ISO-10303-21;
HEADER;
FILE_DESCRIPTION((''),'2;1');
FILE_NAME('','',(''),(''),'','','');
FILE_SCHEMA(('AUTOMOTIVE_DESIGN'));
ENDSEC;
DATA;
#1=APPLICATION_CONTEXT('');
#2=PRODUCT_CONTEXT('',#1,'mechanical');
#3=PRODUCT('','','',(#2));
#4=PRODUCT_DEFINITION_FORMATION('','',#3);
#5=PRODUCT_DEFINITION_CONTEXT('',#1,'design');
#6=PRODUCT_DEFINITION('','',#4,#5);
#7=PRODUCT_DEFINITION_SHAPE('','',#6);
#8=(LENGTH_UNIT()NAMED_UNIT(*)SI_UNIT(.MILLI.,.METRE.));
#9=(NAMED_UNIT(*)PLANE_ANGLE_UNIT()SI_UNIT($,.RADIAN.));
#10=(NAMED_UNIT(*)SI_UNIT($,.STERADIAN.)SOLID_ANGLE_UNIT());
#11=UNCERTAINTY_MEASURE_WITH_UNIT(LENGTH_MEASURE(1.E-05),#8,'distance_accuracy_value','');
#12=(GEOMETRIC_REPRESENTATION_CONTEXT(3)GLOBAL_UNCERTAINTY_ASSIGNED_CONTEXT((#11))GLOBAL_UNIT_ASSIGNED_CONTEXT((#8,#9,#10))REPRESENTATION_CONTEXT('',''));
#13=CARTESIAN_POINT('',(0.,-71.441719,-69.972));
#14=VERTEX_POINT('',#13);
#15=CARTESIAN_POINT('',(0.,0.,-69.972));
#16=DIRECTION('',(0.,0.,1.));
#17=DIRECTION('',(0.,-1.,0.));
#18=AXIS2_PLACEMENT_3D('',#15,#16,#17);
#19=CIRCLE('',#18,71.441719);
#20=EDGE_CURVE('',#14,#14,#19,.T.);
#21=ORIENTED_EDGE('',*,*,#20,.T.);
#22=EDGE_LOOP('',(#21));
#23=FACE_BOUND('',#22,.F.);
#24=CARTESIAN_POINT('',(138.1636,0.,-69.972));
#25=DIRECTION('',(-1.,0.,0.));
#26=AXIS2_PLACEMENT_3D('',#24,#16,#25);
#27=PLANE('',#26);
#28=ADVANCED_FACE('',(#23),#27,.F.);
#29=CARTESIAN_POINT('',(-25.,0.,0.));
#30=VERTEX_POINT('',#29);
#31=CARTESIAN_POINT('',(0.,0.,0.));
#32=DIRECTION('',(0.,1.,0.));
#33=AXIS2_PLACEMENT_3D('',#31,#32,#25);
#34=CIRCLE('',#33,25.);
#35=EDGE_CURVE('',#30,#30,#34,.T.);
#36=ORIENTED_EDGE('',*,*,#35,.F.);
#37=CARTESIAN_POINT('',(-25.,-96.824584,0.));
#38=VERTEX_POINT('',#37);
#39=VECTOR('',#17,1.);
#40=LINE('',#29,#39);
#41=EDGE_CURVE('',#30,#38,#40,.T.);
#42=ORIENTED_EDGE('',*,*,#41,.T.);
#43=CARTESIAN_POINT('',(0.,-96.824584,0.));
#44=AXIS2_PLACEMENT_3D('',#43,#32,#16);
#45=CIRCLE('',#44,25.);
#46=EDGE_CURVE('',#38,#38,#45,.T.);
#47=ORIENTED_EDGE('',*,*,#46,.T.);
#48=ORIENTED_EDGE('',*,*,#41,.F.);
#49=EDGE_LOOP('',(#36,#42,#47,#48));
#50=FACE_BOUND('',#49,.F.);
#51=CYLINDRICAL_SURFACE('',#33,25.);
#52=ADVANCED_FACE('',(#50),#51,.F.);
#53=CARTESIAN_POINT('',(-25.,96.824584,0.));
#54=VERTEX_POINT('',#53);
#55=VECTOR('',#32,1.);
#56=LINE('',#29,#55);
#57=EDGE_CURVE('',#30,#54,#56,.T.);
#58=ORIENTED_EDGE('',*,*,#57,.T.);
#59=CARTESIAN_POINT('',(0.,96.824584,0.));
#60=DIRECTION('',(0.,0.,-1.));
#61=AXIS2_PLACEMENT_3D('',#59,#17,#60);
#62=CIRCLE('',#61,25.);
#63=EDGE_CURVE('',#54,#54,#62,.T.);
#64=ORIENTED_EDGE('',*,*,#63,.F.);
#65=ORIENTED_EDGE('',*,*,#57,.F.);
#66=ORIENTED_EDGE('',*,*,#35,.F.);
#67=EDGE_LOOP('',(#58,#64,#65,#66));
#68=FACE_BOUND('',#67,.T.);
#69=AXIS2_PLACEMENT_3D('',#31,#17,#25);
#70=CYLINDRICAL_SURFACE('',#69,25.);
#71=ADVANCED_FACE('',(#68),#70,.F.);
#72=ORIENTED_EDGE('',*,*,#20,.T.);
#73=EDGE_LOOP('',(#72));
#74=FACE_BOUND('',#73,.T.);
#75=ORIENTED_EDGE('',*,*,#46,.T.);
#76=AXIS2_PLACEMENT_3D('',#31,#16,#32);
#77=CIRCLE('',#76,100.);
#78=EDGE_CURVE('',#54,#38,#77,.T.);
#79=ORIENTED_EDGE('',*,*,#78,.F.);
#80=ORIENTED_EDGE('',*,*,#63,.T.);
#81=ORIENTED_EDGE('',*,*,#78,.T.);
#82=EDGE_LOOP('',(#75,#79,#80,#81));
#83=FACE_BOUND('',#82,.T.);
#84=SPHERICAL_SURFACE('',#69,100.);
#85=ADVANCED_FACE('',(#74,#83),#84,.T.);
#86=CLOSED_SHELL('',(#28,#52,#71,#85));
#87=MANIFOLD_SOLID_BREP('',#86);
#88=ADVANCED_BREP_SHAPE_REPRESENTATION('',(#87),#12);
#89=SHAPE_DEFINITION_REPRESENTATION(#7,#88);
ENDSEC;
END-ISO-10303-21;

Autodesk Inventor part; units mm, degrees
ref_plane "YZ Plane" through (0, 0, 0) normal (1, 0, 0) x (0, 1, 0)
ref_plane "XY Plane" through (0, 0, 0) normal (0, 0, 1) x (1, 0, 0)
sketch "スケッチ1" plane through (0, 0, 0) normal (0, 0, 1) x (1, 0, 0)
  arc A0 (0, 100) -> (0, -100) centre (0, 0) ccw
  line L0 (0, 100) -> (0, -100)
  dimension "d0" = 200
revolve "回転1" add sketch "スケッチ1" angle 360 about axis through (0, 100, 0) along (0, -1, 0)
sketch "スケッチ2" plane through (0, 0, 0) normal (0, 1, 0) x (-1, 0, 0)
  line L0 (140.6562, -148.6683) -> (-138.1636, -148.6683)
  line L1 (-138.1636, -148.6683) -> (-138.1636, -69.972)
  line L2 (-138.1636, -69.972) -> (140.6562, -69.972)
  line L3 (140.6562, -69.972) -> (140.6562, -148.6683)
  point P0 (0, 0)
extrude "押し出し1" cut sketch "スケッチ2" along normal mid plane 200
sketch "スケッチ3" plane through (0, 0, 0) normal (0, 1, 0) x (-1, 0, 0)
  circle A0 centre (0, 0) radius 25
  dimension "d4" = 50
extrude "押し出し2" cut sketch "スケッチ3" along normal mid plane 200
properties part number "HeadP"
